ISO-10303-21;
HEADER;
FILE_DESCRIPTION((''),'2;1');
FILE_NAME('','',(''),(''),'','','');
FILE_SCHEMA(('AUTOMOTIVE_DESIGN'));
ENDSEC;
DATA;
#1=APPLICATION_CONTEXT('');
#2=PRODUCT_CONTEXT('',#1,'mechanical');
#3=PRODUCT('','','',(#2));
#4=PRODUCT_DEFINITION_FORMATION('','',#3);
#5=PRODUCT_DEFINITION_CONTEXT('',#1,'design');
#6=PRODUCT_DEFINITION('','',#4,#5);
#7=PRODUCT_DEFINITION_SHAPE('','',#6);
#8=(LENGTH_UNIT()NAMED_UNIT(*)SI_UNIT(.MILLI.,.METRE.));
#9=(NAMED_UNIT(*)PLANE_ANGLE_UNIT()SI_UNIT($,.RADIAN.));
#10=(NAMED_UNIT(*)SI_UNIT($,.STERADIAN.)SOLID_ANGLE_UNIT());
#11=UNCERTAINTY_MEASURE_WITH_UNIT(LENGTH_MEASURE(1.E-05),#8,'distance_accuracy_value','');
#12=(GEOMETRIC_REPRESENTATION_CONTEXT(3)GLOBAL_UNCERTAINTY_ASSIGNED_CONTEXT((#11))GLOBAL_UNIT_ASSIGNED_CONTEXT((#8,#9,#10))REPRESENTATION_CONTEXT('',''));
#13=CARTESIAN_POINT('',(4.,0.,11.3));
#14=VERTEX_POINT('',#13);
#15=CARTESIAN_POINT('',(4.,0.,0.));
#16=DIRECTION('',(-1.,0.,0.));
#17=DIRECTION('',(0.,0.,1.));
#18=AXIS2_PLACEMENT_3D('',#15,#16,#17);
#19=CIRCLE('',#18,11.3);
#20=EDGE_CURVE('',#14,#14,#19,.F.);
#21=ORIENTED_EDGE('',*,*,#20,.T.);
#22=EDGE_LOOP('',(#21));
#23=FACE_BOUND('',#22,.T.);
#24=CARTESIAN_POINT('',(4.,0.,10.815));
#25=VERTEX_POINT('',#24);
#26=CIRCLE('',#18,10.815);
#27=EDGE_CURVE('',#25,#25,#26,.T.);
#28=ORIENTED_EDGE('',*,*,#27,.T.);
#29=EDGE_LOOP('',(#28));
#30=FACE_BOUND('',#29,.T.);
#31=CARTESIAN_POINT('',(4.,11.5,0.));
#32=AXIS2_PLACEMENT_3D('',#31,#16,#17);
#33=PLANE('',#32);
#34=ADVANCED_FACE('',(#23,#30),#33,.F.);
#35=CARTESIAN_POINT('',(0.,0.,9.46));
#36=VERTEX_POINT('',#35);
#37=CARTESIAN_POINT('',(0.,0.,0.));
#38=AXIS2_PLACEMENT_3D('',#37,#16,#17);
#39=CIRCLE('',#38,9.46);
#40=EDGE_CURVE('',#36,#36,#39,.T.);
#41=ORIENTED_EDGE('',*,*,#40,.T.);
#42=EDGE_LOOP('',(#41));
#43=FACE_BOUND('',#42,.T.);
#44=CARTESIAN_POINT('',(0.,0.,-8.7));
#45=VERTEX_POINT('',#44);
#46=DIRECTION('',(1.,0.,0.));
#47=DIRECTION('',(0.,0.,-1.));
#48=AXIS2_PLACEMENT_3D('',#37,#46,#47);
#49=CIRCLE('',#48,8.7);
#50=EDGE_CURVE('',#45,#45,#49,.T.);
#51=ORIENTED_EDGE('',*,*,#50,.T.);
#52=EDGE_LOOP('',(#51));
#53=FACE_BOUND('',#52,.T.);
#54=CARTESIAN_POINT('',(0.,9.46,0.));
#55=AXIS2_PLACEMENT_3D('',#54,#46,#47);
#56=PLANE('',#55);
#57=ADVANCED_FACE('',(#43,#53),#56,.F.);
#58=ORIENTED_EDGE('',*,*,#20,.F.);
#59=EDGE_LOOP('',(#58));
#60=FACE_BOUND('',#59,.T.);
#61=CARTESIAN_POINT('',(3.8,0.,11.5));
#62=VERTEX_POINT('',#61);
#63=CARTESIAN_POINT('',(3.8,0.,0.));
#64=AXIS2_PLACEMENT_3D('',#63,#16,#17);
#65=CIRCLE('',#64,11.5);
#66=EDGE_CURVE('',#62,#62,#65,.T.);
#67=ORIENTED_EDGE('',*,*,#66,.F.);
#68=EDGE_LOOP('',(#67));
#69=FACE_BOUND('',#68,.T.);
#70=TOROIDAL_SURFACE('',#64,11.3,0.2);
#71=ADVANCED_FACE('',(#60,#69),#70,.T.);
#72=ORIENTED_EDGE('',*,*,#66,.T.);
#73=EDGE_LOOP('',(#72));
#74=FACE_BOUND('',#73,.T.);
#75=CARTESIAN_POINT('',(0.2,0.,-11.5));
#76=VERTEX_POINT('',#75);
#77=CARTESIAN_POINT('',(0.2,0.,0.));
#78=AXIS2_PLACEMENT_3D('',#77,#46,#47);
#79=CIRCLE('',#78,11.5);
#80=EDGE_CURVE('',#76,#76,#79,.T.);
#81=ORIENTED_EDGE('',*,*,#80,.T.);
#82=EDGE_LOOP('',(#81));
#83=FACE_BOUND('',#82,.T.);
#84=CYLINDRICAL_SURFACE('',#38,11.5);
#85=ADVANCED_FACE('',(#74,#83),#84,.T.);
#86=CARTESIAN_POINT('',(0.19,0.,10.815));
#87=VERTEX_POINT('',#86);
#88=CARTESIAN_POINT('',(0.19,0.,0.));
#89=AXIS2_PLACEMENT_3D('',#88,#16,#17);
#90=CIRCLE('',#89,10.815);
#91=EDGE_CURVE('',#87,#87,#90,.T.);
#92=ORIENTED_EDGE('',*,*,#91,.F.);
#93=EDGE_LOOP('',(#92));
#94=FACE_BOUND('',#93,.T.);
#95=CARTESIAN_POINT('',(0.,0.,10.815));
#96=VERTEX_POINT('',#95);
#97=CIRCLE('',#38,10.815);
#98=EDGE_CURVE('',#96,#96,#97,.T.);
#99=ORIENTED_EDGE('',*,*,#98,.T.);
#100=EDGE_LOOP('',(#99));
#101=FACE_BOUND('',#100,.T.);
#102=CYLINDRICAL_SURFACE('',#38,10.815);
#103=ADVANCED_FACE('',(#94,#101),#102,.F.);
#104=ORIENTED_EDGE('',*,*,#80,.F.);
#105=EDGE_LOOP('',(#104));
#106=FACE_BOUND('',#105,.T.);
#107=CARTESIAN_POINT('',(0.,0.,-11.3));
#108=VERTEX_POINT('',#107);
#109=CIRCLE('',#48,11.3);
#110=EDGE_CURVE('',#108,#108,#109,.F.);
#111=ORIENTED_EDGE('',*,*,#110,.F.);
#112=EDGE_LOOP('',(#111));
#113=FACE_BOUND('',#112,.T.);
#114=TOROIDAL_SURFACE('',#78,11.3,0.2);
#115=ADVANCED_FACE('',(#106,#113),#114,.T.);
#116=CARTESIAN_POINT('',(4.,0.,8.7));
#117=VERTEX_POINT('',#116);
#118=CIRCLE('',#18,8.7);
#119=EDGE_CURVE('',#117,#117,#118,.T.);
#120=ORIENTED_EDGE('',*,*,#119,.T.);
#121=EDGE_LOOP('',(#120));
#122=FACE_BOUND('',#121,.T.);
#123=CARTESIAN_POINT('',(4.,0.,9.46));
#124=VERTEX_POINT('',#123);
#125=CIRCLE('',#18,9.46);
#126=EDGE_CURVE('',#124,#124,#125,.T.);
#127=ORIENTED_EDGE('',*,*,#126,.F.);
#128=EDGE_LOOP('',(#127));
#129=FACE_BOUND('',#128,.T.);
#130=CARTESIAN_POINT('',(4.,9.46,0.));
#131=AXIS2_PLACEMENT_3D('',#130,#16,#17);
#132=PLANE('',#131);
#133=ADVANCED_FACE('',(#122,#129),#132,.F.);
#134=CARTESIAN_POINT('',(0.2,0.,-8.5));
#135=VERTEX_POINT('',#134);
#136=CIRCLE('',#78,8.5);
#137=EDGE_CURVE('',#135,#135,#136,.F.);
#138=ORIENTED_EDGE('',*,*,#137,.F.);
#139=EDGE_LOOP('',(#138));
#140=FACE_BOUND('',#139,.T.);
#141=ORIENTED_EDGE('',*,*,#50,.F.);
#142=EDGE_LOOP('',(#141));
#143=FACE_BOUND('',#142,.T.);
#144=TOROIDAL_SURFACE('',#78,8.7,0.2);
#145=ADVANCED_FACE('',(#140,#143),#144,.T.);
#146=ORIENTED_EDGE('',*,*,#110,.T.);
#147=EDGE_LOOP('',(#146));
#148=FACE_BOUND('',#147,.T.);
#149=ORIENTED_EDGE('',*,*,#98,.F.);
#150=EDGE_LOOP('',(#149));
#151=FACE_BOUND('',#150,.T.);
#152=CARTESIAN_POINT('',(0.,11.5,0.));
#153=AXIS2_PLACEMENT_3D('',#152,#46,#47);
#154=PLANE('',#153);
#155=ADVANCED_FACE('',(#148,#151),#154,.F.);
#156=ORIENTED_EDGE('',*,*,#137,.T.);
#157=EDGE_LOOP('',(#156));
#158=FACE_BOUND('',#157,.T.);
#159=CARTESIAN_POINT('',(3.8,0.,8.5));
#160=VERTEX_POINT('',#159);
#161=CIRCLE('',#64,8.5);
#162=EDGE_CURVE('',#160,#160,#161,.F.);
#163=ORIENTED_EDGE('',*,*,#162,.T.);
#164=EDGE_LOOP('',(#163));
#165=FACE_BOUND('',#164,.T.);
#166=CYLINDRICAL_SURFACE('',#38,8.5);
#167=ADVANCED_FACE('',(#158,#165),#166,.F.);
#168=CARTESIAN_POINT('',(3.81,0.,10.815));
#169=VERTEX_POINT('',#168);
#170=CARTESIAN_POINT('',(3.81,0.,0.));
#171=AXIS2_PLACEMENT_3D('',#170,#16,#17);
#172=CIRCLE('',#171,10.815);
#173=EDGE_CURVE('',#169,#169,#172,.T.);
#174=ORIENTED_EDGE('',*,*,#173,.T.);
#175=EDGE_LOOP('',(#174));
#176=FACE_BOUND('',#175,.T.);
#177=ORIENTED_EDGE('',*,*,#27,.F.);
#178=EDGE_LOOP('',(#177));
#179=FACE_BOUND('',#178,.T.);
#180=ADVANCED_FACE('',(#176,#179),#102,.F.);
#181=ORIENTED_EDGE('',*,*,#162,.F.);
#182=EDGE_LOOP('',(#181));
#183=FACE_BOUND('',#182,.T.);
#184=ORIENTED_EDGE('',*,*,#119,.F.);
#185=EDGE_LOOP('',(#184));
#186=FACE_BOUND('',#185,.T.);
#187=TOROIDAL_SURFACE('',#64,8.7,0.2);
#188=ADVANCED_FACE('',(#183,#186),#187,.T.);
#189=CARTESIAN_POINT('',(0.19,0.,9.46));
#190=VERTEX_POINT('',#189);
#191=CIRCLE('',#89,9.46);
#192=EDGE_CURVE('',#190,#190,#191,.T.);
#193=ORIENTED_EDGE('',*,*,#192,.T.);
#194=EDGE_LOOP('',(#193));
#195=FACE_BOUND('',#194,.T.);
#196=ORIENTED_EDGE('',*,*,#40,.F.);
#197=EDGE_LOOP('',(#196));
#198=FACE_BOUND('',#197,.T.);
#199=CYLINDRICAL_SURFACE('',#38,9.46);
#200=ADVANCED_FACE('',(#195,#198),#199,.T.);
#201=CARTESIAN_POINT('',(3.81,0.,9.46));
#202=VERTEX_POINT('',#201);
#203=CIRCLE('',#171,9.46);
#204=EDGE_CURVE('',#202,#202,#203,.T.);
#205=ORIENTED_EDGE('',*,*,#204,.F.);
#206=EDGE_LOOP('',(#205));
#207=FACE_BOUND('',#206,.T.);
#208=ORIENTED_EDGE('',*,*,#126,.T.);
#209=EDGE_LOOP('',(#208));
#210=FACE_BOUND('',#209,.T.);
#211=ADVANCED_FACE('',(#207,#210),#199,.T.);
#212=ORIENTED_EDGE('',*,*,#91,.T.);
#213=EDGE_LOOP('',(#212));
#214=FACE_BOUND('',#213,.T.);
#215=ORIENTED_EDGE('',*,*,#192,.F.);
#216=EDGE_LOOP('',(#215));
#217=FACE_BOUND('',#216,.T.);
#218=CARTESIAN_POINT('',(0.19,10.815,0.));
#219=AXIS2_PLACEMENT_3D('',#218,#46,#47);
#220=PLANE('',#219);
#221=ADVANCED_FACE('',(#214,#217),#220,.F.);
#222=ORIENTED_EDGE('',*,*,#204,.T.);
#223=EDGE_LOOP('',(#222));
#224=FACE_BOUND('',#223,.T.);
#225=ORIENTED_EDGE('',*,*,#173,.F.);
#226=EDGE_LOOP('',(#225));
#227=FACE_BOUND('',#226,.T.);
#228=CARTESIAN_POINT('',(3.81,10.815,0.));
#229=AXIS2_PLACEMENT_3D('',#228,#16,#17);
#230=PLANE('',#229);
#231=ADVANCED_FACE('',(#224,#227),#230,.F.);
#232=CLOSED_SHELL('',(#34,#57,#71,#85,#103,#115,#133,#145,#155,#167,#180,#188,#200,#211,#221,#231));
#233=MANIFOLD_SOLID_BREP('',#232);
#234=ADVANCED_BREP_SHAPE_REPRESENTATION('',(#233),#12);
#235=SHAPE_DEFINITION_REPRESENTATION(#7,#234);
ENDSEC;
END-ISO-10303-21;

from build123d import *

# Parameters (mm, degrees)
FILLET1_R = 0.2
FILLET2_R = 0.2


with BuildPart() as part:
    # Sketch1 → Revolve1 (revolve)
    with BuildSketch(Plane.XY, mode=Mode.PRIVATE) as revolve1_sk:
        Polygon((0, 8.5), (4, 8.5), (4, 9.46), (3.81, 9.46), (3.81, 10.815), (4, 10.815), (4, 11.5), (0, 11.5), (0, 10.815), (0.19, 10.815), (0.19, 9.46), (0, 9.46), align=None)
    revolve(revolve1_sk.sketch.rotate(Axis((0, 0, 0), (1, 0, 0)), 90), axis=Axis((0, 0, 0), (1, 0, 0)))

    # Fillet1
    fillet1_edges = [part.edges().sort_by_distance(p)[0] for p in [
        (0, 0, -11.5),
        (4, 0, -11.5),
    ]]
    fillet(fillet1_edges, radius=FILLET1_R)

    # Fillet2
    fillet2_edges = [part.edges().sort_by_distance(p)[0] for p in [
        (4, 0, -8.5),
        (0, 0, -8.5),
    ]]
    fillet(fillet2_edges, radius=FILLET2_R)


solid = part.part
